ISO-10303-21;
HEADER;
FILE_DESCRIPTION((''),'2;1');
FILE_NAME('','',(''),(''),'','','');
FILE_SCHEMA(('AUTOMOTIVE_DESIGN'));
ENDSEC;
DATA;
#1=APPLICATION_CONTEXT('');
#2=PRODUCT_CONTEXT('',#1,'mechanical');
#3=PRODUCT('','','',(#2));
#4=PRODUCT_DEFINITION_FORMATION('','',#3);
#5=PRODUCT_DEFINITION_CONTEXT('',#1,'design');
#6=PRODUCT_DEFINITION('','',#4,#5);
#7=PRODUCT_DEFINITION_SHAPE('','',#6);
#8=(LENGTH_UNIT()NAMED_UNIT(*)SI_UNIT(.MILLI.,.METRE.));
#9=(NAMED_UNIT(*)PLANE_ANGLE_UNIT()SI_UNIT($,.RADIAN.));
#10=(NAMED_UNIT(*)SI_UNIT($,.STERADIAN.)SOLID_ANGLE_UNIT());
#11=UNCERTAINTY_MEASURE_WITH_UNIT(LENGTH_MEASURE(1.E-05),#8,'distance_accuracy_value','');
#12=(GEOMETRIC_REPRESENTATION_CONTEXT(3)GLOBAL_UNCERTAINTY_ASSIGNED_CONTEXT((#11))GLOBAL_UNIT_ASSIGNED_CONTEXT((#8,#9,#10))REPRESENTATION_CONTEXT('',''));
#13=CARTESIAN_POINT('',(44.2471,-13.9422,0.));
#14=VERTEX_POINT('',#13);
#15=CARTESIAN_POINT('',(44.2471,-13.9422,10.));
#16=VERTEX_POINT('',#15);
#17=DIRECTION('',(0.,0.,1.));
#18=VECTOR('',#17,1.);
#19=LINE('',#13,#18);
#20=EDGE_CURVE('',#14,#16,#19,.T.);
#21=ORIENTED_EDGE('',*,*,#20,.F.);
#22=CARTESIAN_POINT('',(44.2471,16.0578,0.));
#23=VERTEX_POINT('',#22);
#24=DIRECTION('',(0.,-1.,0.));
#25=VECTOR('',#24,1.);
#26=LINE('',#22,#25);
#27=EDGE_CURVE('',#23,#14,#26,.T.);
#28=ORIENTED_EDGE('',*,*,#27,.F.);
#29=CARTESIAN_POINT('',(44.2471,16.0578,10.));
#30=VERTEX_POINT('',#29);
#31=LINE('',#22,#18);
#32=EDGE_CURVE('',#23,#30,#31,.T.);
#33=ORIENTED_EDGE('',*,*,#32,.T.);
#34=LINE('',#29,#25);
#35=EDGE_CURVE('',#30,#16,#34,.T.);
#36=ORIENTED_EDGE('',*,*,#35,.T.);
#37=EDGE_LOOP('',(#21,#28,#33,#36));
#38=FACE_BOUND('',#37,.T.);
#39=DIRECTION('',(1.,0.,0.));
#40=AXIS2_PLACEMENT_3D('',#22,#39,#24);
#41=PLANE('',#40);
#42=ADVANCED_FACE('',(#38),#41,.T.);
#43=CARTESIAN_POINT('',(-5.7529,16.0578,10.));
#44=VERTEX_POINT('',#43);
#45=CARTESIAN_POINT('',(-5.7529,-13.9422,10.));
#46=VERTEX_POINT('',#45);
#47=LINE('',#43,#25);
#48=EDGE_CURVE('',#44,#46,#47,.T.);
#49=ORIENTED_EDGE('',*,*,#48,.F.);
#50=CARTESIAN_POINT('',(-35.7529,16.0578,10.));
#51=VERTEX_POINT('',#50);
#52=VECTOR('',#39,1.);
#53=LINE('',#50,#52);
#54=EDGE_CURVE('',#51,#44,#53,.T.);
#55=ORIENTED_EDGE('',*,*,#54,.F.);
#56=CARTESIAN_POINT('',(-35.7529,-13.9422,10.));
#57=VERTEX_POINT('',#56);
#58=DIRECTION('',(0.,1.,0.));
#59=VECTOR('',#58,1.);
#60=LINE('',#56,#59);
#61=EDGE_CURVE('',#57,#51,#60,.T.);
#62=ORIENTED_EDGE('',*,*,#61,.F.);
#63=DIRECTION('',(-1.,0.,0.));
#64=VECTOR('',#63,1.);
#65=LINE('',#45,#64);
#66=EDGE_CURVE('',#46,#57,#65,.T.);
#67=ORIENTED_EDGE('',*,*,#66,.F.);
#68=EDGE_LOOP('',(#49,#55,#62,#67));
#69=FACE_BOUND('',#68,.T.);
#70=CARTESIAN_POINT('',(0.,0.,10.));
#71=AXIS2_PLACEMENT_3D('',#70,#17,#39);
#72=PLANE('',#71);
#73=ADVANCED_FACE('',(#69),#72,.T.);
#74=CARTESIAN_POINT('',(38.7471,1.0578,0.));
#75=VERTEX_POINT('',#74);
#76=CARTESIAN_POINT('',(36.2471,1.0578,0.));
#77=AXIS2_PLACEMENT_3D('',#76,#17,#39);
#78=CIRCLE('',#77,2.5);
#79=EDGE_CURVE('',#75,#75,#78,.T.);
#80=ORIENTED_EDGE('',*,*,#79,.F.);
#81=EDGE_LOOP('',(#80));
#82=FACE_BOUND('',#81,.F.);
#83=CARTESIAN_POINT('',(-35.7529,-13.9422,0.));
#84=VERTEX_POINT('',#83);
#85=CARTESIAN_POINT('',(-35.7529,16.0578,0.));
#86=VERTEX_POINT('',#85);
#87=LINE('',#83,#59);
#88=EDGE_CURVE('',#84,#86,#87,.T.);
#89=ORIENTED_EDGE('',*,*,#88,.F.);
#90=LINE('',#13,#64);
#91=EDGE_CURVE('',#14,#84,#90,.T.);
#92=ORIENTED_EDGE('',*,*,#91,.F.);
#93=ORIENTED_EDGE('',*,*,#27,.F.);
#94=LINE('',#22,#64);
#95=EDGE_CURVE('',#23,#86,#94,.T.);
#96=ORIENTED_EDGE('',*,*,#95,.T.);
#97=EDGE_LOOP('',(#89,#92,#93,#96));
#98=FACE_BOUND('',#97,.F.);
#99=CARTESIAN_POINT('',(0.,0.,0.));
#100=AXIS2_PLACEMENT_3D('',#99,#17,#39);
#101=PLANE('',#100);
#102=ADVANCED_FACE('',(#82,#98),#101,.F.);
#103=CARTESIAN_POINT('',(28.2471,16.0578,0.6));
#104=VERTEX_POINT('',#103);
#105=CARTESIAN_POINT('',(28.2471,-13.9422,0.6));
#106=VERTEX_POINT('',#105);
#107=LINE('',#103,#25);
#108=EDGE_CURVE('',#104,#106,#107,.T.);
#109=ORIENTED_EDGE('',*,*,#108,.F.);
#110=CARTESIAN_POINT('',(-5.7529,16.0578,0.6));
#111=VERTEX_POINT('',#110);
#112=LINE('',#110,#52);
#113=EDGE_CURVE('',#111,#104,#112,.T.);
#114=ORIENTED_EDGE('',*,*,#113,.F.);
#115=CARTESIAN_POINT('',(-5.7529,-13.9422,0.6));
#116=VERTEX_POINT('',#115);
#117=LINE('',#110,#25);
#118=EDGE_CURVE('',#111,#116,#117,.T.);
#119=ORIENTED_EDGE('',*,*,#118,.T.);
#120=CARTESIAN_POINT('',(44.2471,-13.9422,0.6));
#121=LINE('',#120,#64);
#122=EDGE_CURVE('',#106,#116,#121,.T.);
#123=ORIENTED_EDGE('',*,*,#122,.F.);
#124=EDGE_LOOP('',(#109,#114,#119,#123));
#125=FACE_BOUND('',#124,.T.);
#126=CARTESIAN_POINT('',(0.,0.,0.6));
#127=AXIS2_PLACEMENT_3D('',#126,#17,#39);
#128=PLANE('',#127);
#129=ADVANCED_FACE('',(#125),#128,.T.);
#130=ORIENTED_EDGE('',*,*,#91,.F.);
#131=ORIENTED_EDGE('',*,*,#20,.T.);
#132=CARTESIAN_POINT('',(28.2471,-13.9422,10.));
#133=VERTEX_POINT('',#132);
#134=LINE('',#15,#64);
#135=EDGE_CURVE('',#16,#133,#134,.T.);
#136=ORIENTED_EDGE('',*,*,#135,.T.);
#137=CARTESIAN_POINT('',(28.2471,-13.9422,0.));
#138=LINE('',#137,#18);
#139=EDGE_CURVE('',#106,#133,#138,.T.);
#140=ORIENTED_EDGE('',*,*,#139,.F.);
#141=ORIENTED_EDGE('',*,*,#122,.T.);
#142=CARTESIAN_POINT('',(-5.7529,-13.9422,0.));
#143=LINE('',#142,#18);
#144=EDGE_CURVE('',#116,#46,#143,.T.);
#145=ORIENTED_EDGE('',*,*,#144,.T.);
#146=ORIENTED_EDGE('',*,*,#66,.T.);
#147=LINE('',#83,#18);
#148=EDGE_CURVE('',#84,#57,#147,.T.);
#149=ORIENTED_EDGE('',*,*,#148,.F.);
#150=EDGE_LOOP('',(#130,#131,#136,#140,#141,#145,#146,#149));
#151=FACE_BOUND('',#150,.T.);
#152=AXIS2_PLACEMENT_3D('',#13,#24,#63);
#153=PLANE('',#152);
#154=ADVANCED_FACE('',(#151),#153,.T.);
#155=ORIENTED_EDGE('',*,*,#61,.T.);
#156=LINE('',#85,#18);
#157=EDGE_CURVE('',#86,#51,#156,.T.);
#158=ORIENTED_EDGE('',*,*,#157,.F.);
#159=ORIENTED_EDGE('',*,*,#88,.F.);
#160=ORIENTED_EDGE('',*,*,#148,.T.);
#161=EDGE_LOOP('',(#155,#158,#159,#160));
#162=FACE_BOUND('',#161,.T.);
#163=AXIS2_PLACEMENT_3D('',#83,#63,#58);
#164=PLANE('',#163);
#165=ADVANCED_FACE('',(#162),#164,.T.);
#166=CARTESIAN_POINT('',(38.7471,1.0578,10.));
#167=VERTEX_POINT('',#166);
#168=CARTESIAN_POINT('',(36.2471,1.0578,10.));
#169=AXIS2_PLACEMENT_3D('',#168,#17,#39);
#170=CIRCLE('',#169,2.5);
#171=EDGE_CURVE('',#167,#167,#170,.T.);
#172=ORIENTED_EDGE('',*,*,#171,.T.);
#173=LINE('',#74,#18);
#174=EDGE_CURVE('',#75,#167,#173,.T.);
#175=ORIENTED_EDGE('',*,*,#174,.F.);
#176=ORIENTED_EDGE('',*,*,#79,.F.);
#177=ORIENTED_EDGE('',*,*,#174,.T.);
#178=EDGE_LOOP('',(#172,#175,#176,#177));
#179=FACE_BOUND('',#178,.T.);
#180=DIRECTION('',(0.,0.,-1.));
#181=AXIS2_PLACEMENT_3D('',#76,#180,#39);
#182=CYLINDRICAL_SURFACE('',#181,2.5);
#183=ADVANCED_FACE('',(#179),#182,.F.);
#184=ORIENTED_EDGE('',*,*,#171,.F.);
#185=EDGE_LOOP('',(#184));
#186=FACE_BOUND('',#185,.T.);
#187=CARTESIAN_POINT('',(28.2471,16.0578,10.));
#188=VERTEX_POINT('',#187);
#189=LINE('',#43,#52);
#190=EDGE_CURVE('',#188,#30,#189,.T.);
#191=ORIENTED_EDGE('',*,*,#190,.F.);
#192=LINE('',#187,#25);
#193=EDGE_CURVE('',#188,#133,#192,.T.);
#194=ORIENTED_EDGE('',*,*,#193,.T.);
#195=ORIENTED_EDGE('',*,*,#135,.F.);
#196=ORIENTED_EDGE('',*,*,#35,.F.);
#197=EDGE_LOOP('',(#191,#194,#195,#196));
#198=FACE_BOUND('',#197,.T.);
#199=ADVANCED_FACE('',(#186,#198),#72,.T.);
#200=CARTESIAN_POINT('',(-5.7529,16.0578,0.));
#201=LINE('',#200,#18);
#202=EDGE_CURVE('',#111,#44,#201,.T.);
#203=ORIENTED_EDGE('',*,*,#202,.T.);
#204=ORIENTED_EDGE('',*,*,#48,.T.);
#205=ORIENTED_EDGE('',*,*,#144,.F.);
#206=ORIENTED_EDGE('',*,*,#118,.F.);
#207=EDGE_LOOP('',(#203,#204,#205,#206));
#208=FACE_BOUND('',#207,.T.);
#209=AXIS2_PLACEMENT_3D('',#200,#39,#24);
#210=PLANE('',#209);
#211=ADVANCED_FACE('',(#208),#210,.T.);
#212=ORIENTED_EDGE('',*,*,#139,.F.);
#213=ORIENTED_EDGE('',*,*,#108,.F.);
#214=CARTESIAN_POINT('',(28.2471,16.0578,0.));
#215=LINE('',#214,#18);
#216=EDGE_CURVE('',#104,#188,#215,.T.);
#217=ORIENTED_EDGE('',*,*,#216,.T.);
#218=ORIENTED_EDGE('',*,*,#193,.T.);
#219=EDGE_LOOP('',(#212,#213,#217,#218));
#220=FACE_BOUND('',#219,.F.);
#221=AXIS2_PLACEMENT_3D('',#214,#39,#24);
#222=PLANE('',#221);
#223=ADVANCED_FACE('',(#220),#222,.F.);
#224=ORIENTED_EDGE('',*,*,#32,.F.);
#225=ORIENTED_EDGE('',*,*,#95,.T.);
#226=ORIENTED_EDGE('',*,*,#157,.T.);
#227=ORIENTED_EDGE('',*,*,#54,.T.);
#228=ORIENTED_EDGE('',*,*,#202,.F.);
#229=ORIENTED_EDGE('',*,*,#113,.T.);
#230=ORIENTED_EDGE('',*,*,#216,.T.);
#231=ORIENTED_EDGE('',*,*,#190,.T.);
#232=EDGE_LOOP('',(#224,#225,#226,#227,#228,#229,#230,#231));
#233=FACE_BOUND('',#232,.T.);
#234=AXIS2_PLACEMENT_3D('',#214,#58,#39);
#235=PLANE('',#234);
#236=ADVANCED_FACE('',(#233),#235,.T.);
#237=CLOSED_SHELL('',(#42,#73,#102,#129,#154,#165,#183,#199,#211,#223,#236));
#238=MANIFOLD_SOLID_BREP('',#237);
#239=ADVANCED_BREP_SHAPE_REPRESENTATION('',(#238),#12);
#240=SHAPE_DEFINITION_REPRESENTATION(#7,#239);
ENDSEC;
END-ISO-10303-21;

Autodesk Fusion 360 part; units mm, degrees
sketch "Schizzo1" plane through (0, 0, 0) normal (0, 0, 1) x (1, 0, 0)
  line L0 (-35.7529, 16.0578) -> (-5.7529, 16.0578)
  line L1 (-5.7529, 16.0578) -> (-5.7529, -13.9422)
  line L2 (-5.7529, -13.9422) -> (-35.7529, -13.9422)
  line L3 (-35.7529, -13.9422) -> (-35.7529, 16.0578)
  line L4 (-5.7529, 16.0578) -> (44.2471, 16.0578)
  line L5 (44.2471, 16.0578) -> (44.2471, -13.9422)
  line L6 (44.2471, -13.9422) -> (-5.7529, -13.9422)
  line L7 (36.2471, 16.0578) -> (36.2471, -13.9422) construction
  line L8 (44.2471, 1.0578) -> (-5.7529, 1.0578) construction
  circle A0 centre (36.2471, 1.0578) radius 2.5
  line L9 (28.2471, 16.0578) -> (28.2471, -13.9422)
  line L10 (6.9284, 1.1522) -> (17.2791, 1.0578) construction
  line L11 (17.2791, 1.0578) -> (17.3507, 8.9056) construction
  line L12 (17.3507, 8.9056) -> (7, 9) construction
  line L13 (7, 9) -> (6.9284, 1.1522) construction
  dimension "d1" = 30
  dimension "d2" = 30
  dimension "d3" = 50
  dimension "d4" = 30
  dimension "d5" = 8
  dimension "d6" = 5
  dimension "d13" = 8
  dimension "d14" = 10
  dimension "d15" = 0
  dimension "d21" = 80
extrude "Estrusione1" add sketch "Schizzo1" along normal blind 10 contours L0 L1 L2 L3
extrude "Estrusione2" add sketch "Schizzo1" along normal blind 0.6 contours L1 L4 L6 L9
extrude "Estrusione3" add sketch "Schizzo1" along normal up to surface (10 mm away) contours L4 L5 L6 L9
extrude "Estrusione4" [suppressed]
extrude "Estrusione5" [suppressed]
equation "d13 = d5"
equation "d15 = '10.0'"
